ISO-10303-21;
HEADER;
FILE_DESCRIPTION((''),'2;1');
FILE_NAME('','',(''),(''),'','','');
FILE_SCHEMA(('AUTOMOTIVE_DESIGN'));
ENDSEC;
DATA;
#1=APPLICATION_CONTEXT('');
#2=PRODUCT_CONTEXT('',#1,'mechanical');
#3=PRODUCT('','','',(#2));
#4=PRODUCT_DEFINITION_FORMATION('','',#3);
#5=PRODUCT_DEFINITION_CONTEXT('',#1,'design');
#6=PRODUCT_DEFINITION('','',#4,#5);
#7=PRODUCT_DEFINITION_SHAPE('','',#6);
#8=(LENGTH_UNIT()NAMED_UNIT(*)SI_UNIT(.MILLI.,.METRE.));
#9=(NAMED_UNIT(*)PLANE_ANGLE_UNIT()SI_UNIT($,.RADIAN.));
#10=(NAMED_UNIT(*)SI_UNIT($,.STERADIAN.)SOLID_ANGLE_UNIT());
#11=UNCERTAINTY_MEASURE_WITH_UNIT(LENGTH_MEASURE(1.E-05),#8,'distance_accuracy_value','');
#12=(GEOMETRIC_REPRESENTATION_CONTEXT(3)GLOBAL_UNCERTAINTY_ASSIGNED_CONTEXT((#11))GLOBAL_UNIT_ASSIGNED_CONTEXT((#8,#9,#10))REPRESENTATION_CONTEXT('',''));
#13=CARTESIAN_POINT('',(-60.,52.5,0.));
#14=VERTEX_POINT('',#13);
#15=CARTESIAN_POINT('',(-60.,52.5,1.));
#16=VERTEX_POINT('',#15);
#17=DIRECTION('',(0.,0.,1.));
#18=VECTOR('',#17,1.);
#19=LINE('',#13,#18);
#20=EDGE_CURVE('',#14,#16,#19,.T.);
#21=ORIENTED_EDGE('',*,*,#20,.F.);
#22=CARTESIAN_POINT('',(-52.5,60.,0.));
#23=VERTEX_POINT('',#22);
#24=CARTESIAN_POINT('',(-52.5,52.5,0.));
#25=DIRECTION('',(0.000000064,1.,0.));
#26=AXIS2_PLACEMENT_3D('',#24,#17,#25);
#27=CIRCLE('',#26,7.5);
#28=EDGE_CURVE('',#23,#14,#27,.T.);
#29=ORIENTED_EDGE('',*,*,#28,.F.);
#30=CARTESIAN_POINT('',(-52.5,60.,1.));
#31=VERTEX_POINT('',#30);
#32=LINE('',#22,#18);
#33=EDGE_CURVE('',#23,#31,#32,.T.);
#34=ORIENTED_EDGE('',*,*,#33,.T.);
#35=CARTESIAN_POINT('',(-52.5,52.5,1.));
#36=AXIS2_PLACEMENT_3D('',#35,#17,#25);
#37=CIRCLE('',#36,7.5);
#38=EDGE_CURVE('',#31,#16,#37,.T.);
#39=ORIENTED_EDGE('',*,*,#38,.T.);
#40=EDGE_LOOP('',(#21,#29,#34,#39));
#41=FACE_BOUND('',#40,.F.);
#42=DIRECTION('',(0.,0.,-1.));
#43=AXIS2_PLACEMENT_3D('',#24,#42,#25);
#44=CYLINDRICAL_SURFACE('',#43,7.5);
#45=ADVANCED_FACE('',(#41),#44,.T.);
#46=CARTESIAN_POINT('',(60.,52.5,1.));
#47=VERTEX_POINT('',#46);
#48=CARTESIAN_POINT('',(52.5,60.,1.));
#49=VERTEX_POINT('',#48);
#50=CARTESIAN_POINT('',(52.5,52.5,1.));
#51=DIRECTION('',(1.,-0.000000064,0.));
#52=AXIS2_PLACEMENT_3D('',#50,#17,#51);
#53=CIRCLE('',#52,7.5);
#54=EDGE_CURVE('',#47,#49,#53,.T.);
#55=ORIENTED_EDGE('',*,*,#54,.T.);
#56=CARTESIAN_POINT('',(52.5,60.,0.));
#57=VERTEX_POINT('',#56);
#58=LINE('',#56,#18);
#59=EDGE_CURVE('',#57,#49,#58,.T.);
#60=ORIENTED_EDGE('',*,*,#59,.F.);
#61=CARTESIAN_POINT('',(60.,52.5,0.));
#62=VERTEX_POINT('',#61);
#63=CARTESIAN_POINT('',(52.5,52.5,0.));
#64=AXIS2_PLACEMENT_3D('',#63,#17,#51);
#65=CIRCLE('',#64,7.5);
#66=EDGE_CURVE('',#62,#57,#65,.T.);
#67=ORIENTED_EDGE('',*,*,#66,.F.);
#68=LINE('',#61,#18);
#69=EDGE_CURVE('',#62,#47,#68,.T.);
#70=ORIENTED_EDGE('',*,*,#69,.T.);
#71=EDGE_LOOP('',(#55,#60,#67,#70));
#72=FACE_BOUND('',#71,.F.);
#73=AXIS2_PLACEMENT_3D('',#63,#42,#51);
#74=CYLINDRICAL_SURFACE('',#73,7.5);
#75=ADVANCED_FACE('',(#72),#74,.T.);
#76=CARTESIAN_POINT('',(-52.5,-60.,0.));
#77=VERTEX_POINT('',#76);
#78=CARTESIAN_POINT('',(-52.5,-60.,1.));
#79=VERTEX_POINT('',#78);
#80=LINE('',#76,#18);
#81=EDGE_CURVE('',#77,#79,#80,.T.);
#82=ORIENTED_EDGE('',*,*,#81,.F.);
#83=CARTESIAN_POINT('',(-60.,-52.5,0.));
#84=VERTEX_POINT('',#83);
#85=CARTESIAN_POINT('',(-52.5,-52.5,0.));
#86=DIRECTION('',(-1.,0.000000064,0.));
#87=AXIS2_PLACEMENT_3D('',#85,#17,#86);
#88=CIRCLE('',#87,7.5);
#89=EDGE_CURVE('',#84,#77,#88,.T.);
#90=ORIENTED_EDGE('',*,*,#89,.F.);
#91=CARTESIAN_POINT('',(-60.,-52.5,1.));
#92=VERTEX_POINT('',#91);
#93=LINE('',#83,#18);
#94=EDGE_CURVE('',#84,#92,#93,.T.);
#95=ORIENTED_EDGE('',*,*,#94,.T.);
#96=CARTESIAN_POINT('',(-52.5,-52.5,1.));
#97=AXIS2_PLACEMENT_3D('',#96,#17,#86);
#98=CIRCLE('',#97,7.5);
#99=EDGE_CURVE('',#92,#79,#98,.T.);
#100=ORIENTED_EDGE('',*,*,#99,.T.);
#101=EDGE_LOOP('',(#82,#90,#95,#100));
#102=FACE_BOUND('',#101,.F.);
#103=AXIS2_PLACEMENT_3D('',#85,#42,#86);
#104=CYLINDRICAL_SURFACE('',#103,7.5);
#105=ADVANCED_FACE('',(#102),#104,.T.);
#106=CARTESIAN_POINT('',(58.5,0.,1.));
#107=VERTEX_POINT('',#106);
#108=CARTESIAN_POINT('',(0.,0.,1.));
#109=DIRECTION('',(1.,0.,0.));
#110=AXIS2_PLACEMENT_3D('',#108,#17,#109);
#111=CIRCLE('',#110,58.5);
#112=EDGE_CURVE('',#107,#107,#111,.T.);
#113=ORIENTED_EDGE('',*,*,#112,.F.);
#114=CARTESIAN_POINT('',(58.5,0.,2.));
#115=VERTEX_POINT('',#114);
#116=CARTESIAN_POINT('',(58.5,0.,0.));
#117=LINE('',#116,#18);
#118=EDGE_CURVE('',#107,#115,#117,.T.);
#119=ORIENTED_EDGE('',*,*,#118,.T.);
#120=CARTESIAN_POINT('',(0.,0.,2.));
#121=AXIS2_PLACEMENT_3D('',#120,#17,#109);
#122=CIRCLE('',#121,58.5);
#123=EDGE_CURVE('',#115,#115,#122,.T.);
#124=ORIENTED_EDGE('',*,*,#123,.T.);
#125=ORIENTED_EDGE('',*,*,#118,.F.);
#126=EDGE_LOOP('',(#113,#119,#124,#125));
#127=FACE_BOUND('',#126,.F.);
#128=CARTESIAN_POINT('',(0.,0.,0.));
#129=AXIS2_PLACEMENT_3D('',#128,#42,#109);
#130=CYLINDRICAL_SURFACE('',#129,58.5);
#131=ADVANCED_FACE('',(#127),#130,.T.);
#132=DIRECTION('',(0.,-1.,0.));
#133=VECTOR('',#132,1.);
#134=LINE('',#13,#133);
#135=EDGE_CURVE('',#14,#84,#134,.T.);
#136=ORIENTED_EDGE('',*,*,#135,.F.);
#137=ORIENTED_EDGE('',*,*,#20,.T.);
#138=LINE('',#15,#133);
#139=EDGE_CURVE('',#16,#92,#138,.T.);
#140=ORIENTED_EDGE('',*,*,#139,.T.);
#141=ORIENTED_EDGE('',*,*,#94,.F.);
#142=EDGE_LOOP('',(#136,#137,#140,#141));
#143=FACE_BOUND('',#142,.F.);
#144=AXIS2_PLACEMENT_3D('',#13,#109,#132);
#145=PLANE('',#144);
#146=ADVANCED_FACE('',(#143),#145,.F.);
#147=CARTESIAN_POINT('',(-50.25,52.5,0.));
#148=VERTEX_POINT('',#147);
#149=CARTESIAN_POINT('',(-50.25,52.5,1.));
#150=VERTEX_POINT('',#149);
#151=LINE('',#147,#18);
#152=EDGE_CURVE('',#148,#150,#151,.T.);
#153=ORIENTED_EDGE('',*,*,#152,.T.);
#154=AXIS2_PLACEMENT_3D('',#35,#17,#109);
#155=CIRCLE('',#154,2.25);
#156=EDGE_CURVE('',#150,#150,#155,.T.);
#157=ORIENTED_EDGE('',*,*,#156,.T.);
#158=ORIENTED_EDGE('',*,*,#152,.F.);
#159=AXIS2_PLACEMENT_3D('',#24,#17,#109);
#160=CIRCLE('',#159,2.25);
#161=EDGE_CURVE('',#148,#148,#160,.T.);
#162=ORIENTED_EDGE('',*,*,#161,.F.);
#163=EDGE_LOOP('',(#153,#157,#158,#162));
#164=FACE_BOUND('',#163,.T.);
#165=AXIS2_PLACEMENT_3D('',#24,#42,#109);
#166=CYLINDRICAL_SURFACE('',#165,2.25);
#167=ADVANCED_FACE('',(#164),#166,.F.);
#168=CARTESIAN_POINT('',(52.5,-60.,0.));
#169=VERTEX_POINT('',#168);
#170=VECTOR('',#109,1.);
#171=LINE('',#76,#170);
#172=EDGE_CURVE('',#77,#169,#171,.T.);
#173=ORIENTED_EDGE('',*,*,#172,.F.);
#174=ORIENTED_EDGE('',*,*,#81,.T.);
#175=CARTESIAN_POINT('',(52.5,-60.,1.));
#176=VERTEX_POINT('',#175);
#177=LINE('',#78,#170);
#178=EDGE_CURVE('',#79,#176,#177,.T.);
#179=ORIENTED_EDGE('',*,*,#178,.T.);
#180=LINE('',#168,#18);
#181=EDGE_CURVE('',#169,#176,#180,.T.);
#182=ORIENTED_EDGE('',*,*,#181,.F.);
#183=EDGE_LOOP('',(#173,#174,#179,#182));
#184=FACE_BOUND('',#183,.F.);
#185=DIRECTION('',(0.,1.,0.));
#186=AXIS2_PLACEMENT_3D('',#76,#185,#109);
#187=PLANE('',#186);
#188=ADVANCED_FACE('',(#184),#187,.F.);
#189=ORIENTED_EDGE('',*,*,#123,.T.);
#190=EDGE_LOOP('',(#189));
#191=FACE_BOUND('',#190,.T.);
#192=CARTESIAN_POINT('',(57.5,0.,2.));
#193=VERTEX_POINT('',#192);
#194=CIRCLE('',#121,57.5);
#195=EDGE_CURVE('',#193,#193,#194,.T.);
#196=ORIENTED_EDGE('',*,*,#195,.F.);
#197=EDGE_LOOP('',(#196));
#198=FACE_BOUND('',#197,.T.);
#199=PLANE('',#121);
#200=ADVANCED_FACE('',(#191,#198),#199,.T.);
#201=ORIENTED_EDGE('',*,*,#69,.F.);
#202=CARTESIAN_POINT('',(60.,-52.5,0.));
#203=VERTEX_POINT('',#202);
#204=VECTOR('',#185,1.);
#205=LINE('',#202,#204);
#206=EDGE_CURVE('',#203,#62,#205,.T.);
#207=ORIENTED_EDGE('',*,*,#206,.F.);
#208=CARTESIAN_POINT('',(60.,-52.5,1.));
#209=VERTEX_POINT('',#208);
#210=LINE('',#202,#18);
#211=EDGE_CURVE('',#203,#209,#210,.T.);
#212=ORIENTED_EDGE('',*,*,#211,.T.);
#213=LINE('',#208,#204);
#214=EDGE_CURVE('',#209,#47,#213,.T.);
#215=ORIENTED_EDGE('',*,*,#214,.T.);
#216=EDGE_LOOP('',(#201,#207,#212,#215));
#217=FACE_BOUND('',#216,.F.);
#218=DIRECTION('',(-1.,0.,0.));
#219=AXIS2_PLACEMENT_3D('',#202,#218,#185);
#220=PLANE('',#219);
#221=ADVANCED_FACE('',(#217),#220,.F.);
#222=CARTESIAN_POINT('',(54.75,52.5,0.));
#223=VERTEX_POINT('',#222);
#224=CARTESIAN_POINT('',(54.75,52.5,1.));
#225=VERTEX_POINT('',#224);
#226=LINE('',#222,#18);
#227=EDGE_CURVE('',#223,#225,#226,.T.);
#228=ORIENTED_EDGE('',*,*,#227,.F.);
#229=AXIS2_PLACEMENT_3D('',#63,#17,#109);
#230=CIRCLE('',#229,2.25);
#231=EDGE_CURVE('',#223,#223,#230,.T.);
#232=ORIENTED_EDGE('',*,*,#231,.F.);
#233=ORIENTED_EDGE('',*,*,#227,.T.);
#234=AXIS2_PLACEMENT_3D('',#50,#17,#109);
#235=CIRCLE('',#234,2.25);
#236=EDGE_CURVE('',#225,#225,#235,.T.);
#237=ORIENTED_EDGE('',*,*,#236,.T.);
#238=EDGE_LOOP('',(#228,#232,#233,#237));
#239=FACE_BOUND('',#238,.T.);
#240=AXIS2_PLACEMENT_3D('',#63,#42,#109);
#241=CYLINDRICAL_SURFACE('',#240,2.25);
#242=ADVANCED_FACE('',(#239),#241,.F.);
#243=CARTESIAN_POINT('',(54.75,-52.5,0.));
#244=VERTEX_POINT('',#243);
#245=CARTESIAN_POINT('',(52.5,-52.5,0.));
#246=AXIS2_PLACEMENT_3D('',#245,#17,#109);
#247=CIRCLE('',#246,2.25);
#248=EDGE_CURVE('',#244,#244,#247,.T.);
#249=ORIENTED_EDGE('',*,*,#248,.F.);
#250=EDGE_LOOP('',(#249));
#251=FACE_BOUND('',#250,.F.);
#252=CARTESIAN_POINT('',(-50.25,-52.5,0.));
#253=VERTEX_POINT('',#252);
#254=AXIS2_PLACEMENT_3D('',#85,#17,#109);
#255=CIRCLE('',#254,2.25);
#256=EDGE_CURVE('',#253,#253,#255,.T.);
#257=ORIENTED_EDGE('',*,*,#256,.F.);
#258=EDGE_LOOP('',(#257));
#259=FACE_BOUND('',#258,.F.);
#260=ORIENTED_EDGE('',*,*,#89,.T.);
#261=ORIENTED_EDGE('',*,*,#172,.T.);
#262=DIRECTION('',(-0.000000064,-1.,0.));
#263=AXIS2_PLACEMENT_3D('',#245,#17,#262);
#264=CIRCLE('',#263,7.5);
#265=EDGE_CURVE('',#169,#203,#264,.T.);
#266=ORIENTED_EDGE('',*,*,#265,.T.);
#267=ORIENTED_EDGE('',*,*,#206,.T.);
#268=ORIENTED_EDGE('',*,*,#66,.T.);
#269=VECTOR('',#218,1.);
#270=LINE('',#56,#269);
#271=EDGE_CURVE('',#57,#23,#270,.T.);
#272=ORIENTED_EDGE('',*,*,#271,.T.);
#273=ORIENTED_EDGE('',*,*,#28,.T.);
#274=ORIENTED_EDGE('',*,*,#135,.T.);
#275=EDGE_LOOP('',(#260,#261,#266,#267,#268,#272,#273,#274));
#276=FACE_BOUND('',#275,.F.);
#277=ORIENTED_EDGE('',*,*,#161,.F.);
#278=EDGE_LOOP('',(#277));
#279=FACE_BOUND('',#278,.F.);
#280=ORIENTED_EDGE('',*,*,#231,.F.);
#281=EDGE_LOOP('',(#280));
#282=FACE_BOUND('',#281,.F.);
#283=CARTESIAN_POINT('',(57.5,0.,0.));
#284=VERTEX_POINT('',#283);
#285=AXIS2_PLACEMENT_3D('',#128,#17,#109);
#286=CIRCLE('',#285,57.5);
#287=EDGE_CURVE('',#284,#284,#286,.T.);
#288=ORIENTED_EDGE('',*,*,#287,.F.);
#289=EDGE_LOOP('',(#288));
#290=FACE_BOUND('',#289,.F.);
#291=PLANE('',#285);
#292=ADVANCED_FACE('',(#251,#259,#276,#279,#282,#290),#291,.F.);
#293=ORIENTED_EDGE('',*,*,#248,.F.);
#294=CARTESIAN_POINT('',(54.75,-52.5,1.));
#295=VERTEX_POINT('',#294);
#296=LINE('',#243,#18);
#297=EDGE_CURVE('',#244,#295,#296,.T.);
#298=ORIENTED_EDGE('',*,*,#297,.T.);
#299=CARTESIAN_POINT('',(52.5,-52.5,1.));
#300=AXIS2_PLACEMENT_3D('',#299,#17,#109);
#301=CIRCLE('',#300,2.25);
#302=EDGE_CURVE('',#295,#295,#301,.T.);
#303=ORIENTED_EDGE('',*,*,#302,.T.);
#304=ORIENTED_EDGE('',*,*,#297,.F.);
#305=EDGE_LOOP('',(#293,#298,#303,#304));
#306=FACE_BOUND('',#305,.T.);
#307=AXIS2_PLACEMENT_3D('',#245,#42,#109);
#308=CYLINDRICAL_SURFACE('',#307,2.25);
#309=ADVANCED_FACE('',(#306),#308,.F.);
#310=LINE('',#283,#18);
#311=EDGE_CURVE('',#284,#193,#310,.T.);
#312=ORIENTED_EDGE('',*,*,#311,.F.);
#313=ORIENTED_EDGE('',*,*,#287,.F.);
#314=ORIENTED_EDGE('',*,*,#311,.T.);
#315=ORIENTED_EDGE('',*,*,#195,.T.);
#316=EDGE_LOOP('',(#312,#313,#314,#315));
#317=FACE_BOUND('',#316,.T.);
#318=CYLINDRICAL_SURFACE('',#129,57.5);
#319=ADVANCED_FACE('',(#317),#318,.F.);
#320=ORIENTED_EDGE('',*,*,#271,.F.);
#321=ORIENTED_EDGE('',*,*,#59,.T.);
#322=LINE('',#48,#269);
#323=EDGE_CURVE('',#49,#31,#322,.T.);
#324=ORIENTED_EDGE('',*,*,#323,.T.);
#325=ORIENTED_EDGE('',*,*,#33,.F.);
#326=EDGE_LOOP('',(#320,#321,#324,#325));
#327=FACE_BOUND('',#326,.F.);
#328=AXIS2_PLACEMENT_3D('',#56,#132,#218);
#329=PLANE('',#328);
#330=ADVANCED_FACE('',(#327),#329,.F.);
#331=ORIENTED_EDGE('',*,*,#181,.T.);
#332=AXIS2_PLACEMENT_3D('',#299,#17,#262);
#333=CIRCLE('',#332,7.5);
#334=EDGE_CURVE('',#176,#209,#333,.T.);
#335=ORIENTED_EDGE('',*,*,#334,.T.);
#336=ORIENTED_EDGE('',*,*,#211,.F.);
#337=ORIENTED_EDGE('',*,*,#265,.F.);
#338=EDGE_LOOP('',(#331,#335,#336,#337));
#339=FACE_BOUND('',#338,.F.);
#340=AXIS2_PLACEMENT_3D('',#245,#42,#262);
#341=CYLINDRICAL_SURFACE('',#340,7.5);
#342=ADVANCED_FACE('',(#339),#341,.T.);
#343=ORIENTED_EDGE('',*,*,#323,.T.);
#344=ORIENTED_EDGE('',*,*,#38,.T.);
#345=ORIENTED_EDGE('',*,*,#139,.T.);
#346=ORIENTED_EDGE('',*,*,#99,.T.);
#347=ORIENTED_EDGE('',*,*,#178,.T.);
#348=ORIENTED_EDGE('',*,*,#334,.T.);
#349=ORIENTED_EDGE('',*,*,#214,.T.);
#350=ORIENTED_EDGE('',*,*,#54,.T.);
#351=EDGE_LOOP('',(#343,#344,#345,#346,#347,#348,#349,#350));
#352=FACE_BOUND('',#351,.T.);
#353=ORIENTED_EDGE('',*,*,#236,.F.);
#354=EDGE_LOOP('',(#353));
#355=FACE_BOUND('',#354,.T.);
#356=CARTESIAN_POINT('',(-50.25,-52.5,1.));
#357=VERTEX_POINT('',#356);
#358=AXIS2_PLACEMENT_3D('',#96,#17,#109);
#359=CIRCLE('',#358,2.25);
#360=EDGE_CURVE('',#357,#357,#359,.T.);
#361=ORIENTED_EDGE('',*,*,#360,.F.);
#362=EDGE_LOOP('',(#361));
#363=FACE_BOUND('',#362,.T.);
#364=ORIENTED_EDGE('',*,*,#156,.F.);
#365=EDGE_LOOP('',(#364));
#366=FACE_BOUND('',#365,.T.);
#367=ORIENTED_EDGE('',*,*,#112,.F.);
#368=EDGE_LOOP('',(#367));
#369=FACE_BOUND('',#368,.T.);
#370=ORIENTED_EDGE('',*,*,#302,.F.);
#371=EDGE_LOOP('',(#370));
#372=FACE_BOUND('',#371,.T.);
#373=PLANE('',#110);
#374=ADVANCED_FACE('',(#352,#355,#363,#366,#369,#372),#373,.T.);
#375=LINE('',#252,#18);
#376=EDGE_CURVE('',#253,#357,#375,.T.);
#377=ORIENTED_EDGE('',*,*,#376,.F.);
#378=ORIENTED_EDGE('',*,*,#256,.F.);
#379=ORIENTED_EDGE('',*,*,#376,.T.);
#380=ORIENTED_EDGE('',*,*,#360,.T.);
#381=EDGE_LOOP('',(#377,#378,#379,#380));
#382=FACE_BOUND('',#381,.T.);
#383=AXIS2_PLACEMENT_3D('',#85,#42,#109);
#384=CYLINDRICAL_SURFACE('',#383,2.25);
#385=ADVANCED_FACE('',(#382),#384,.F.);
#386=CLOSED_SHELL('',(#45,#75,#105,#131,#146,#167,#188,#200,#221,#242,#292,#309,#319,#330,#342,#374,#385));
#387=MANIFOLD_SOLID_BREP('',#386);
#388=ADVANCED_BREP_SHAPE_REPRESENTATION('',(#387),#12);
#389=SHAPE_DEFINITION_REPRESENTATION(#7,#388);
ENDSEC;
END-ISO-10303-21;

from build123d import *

# Parameters (mm, degrees)
F0_R     = 2.25
F0_R_2   = 58.5
F1_DEPTH = 1
F0_R_3   = 57.5
F2_DEPTH = 2


with BuildPart() as f1:
    # F0 (on Top) → F1 (new body)
    with BuildSketch(Plane.XY):
        with BuildLine():
            Line((52.5, 60), (-52.5, 60))
            ThreePointArc((-52.5, 60), (-57.803301, 57.803301), (-60, 52.5))
            Line((-60, 52.5), (-60, -52.5))
            ThreePointArc((-60, -52.5), (-57.803301, -57.803301), (-52.5, -60))
            Line((-52.5, -60), (52.5, -60))
            ThreePointArc((52.5, -60), (57.803301, -57.803301), (60, -52.5))
            Line((60, -52.5), (60, 52.5))
            ThreePointArc((60, 52.5), (57.803301, 57.803301), (52.5, 60))
        make_face()
        with Locations((-52.5, -52.5)):
            Circle(F0_R, mode=Mode.SUBTRACT)
        with Locations((52.5, -52.5)):
            Circle(F0_R, mode=Mode.SUBTRACT)
        with Locations((-52.5, 52.5)):
            Circle(F0_R, mode=Mode.SUBTRACT)
        Circle(F0_R_2, mode=Mode.SUBTRACT)
        with Locations((52.5, 52.5)):
            Circle(F0_R, mode=Mode.SUBTRACT)
    extrude(amount=F1_DEPTH)

    # F0 (on Top) → F2 (join)
    with BuildSketch(Plane.XY):
        Circle(F0_R_2)
        Circle(F0_R_3, mode=Mode.SUBTRACT)
    extrude(amount=F2_DEPTH)


solid = f1.part
